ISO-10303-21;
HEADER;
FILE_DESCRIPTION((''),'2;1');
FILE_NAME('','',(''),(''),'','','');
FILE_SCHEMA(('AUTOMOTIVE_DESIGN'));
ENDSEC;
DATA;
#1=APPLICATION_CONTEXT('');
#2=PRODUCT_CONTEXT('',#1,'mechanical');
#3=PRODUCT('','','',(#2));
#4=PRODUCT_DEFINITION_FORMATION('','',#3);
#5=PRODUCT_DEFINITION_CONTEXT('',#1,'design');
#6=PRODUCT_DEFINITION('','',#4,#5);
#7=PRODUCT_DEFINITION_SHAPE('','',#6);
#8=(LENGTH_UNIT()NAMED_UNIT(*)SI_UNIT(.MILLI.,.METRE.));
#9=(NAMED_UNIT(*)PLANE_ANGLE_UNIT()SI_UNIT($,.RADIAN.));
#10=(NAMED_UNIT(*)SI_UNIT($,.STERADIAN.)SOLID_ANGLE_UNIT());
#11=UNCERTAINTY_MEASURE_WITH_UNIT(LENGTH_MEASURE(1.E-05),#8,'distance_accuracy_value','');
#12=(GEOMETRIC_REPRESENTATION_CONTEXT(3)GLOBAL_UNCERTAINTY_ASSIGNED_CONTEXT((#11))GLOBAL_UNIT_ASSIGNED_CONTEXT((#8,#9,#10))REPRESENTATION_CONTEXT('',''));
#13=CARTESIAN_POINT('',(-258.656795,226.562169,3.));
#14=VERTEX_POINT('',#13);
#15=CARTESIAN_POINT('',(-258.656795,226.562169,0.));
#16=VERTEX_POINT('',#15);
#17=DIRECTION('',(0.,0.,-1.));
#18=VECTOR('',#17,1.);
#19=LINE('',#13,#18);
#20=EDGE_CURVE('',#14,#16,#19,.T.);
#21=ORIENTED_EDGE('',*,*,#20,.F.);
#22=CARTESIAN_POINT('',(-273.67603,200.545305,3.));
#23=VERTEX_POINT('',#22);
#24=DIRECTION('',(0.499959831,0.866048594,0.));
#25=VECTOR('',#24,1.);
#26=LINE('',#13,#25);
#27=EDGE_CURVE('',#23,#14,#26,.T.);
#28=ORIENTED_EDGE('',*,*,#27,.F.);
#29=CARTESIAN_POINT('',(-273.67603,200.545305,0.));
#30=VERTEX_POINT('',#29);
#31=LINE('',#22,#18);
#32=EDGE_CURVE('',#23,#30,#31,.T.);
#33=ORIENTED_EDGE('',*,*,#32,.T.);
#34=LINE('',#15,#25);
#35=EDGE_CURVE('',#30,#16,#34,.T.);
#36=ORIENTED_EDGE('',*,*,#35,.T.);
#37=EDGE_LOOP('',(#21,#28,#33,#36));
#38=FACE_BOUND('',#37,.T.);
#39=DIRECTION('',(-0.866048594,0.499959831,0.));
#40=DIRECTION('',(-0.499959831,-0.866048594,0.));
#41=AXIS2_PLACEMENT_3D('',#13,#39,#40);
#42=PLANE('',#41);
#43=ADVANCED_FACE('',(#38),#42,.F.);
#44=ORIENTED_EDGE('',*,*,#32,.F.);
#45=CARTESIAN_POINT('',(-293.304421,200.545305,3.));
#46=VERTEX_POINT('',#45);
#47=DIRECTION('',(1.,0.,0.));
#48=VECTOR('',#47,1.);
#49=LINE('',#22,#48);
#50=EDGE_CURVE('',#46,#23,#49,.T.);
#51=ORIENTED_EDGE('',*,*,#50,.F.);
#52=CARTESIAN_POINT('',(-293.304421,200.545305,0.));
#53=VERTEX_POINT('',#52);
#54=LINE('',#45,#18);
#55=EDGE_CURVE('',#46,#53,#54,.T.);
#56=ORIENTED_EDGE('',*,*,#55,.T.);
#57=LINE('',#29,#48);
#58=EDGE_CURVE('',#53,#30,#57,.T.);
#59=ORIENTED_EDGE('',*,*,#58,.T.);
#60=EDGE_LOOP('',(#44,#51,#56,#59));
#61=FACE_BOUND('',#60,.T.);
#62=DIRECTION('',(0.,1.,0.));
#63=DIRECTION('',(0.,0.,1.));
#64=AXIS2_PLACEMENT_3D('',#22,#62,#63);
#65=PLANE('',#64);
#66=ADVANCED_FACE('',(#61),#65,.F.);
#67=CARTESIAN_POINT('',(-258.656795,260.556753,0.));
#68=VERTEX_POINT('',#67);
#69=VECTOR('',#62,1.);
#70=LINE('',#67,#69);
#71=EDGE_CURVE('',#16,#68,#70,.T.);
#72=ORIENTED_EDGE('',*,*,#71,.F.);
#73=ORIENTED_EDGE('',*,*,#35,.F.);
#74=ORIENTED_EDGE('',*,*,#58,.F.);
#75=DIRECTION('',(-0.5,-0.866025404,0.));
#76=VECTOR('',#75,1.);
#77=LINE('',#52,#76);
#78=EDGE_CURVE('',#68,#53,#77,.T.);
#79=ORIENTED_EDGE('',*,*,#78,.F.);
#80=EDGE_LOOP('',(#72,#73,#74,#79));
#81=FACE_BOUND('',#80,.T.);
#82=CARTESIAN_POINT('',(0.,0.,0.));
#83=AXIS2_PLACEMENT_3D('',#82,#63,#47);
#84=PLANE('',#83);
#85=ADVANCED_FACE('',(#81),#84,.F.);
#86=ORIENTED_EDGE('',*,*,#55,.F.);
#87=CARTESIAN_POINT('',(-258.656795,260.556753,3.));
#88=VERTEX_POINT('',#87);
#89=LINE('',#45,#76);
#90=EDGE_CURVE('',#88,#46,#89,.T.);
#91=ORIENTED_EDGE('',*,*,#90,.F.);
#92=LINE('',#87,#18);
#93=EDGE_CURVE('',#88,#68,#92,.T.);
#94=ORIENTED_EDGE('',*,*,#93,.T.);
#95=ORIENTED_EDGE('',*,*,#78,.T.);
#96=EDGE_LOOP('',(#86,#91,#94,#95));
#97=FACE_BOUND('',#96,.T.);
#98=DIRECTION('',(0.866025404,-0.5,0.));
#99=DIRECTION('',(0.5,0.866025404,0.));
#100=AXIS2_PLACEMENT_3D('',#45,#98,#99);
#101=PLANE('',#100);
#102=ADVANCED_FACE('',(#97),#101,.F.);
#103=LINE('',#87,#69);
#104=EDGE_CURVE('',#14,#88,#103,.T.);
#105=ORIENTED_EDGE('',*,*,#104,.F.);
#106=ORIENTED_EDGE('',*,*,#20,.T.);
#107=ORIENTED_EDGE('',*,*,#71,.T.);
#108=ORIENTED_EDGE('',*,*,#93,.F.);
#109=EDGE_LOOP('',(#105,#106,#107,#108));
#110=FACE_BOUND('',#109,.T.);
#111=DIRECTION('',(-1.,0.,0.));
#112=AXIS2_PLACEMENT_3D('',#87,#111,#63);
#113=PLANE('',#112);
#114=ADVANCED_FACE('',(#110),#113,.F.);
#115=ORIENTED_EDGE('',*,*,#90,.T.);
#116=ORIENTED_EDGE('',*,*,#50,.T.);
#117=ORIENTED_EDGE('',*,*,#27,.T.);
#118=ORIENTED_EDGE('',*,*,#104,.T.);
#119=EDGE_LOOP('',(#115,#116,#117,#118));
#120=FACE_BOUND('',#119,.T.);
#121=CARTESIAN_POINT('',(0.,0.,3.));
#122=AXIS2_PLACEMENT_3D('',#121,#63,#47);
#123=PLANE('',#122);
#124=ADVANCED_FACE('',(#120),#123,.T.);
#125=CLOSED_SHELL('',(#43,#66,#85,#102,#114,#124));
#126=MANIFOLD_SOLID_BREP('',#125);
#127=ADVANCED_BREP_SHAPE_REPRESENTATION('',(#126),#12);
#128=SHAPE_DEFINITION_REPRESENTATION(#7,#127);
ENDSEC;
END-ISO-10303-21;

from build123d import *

# Parameters (mm, degrees)
BOSS_EXTRUDE1_DEPTH = 3


with BuildPart() as part:
    # Sketch1 → Boss-Extrude1 (new body)
    with BuildSketch(Plane.XY):
        Polygon((-258.656795041, 260.556752989), (-258.656795041, 226.562169331), (-273.676029688, 200.545305077), (-293.304420647, 200.545305077), align=None)
    extrude(amount=BOSS_EXTRUDE1_DEPTH)


solid = part.part
